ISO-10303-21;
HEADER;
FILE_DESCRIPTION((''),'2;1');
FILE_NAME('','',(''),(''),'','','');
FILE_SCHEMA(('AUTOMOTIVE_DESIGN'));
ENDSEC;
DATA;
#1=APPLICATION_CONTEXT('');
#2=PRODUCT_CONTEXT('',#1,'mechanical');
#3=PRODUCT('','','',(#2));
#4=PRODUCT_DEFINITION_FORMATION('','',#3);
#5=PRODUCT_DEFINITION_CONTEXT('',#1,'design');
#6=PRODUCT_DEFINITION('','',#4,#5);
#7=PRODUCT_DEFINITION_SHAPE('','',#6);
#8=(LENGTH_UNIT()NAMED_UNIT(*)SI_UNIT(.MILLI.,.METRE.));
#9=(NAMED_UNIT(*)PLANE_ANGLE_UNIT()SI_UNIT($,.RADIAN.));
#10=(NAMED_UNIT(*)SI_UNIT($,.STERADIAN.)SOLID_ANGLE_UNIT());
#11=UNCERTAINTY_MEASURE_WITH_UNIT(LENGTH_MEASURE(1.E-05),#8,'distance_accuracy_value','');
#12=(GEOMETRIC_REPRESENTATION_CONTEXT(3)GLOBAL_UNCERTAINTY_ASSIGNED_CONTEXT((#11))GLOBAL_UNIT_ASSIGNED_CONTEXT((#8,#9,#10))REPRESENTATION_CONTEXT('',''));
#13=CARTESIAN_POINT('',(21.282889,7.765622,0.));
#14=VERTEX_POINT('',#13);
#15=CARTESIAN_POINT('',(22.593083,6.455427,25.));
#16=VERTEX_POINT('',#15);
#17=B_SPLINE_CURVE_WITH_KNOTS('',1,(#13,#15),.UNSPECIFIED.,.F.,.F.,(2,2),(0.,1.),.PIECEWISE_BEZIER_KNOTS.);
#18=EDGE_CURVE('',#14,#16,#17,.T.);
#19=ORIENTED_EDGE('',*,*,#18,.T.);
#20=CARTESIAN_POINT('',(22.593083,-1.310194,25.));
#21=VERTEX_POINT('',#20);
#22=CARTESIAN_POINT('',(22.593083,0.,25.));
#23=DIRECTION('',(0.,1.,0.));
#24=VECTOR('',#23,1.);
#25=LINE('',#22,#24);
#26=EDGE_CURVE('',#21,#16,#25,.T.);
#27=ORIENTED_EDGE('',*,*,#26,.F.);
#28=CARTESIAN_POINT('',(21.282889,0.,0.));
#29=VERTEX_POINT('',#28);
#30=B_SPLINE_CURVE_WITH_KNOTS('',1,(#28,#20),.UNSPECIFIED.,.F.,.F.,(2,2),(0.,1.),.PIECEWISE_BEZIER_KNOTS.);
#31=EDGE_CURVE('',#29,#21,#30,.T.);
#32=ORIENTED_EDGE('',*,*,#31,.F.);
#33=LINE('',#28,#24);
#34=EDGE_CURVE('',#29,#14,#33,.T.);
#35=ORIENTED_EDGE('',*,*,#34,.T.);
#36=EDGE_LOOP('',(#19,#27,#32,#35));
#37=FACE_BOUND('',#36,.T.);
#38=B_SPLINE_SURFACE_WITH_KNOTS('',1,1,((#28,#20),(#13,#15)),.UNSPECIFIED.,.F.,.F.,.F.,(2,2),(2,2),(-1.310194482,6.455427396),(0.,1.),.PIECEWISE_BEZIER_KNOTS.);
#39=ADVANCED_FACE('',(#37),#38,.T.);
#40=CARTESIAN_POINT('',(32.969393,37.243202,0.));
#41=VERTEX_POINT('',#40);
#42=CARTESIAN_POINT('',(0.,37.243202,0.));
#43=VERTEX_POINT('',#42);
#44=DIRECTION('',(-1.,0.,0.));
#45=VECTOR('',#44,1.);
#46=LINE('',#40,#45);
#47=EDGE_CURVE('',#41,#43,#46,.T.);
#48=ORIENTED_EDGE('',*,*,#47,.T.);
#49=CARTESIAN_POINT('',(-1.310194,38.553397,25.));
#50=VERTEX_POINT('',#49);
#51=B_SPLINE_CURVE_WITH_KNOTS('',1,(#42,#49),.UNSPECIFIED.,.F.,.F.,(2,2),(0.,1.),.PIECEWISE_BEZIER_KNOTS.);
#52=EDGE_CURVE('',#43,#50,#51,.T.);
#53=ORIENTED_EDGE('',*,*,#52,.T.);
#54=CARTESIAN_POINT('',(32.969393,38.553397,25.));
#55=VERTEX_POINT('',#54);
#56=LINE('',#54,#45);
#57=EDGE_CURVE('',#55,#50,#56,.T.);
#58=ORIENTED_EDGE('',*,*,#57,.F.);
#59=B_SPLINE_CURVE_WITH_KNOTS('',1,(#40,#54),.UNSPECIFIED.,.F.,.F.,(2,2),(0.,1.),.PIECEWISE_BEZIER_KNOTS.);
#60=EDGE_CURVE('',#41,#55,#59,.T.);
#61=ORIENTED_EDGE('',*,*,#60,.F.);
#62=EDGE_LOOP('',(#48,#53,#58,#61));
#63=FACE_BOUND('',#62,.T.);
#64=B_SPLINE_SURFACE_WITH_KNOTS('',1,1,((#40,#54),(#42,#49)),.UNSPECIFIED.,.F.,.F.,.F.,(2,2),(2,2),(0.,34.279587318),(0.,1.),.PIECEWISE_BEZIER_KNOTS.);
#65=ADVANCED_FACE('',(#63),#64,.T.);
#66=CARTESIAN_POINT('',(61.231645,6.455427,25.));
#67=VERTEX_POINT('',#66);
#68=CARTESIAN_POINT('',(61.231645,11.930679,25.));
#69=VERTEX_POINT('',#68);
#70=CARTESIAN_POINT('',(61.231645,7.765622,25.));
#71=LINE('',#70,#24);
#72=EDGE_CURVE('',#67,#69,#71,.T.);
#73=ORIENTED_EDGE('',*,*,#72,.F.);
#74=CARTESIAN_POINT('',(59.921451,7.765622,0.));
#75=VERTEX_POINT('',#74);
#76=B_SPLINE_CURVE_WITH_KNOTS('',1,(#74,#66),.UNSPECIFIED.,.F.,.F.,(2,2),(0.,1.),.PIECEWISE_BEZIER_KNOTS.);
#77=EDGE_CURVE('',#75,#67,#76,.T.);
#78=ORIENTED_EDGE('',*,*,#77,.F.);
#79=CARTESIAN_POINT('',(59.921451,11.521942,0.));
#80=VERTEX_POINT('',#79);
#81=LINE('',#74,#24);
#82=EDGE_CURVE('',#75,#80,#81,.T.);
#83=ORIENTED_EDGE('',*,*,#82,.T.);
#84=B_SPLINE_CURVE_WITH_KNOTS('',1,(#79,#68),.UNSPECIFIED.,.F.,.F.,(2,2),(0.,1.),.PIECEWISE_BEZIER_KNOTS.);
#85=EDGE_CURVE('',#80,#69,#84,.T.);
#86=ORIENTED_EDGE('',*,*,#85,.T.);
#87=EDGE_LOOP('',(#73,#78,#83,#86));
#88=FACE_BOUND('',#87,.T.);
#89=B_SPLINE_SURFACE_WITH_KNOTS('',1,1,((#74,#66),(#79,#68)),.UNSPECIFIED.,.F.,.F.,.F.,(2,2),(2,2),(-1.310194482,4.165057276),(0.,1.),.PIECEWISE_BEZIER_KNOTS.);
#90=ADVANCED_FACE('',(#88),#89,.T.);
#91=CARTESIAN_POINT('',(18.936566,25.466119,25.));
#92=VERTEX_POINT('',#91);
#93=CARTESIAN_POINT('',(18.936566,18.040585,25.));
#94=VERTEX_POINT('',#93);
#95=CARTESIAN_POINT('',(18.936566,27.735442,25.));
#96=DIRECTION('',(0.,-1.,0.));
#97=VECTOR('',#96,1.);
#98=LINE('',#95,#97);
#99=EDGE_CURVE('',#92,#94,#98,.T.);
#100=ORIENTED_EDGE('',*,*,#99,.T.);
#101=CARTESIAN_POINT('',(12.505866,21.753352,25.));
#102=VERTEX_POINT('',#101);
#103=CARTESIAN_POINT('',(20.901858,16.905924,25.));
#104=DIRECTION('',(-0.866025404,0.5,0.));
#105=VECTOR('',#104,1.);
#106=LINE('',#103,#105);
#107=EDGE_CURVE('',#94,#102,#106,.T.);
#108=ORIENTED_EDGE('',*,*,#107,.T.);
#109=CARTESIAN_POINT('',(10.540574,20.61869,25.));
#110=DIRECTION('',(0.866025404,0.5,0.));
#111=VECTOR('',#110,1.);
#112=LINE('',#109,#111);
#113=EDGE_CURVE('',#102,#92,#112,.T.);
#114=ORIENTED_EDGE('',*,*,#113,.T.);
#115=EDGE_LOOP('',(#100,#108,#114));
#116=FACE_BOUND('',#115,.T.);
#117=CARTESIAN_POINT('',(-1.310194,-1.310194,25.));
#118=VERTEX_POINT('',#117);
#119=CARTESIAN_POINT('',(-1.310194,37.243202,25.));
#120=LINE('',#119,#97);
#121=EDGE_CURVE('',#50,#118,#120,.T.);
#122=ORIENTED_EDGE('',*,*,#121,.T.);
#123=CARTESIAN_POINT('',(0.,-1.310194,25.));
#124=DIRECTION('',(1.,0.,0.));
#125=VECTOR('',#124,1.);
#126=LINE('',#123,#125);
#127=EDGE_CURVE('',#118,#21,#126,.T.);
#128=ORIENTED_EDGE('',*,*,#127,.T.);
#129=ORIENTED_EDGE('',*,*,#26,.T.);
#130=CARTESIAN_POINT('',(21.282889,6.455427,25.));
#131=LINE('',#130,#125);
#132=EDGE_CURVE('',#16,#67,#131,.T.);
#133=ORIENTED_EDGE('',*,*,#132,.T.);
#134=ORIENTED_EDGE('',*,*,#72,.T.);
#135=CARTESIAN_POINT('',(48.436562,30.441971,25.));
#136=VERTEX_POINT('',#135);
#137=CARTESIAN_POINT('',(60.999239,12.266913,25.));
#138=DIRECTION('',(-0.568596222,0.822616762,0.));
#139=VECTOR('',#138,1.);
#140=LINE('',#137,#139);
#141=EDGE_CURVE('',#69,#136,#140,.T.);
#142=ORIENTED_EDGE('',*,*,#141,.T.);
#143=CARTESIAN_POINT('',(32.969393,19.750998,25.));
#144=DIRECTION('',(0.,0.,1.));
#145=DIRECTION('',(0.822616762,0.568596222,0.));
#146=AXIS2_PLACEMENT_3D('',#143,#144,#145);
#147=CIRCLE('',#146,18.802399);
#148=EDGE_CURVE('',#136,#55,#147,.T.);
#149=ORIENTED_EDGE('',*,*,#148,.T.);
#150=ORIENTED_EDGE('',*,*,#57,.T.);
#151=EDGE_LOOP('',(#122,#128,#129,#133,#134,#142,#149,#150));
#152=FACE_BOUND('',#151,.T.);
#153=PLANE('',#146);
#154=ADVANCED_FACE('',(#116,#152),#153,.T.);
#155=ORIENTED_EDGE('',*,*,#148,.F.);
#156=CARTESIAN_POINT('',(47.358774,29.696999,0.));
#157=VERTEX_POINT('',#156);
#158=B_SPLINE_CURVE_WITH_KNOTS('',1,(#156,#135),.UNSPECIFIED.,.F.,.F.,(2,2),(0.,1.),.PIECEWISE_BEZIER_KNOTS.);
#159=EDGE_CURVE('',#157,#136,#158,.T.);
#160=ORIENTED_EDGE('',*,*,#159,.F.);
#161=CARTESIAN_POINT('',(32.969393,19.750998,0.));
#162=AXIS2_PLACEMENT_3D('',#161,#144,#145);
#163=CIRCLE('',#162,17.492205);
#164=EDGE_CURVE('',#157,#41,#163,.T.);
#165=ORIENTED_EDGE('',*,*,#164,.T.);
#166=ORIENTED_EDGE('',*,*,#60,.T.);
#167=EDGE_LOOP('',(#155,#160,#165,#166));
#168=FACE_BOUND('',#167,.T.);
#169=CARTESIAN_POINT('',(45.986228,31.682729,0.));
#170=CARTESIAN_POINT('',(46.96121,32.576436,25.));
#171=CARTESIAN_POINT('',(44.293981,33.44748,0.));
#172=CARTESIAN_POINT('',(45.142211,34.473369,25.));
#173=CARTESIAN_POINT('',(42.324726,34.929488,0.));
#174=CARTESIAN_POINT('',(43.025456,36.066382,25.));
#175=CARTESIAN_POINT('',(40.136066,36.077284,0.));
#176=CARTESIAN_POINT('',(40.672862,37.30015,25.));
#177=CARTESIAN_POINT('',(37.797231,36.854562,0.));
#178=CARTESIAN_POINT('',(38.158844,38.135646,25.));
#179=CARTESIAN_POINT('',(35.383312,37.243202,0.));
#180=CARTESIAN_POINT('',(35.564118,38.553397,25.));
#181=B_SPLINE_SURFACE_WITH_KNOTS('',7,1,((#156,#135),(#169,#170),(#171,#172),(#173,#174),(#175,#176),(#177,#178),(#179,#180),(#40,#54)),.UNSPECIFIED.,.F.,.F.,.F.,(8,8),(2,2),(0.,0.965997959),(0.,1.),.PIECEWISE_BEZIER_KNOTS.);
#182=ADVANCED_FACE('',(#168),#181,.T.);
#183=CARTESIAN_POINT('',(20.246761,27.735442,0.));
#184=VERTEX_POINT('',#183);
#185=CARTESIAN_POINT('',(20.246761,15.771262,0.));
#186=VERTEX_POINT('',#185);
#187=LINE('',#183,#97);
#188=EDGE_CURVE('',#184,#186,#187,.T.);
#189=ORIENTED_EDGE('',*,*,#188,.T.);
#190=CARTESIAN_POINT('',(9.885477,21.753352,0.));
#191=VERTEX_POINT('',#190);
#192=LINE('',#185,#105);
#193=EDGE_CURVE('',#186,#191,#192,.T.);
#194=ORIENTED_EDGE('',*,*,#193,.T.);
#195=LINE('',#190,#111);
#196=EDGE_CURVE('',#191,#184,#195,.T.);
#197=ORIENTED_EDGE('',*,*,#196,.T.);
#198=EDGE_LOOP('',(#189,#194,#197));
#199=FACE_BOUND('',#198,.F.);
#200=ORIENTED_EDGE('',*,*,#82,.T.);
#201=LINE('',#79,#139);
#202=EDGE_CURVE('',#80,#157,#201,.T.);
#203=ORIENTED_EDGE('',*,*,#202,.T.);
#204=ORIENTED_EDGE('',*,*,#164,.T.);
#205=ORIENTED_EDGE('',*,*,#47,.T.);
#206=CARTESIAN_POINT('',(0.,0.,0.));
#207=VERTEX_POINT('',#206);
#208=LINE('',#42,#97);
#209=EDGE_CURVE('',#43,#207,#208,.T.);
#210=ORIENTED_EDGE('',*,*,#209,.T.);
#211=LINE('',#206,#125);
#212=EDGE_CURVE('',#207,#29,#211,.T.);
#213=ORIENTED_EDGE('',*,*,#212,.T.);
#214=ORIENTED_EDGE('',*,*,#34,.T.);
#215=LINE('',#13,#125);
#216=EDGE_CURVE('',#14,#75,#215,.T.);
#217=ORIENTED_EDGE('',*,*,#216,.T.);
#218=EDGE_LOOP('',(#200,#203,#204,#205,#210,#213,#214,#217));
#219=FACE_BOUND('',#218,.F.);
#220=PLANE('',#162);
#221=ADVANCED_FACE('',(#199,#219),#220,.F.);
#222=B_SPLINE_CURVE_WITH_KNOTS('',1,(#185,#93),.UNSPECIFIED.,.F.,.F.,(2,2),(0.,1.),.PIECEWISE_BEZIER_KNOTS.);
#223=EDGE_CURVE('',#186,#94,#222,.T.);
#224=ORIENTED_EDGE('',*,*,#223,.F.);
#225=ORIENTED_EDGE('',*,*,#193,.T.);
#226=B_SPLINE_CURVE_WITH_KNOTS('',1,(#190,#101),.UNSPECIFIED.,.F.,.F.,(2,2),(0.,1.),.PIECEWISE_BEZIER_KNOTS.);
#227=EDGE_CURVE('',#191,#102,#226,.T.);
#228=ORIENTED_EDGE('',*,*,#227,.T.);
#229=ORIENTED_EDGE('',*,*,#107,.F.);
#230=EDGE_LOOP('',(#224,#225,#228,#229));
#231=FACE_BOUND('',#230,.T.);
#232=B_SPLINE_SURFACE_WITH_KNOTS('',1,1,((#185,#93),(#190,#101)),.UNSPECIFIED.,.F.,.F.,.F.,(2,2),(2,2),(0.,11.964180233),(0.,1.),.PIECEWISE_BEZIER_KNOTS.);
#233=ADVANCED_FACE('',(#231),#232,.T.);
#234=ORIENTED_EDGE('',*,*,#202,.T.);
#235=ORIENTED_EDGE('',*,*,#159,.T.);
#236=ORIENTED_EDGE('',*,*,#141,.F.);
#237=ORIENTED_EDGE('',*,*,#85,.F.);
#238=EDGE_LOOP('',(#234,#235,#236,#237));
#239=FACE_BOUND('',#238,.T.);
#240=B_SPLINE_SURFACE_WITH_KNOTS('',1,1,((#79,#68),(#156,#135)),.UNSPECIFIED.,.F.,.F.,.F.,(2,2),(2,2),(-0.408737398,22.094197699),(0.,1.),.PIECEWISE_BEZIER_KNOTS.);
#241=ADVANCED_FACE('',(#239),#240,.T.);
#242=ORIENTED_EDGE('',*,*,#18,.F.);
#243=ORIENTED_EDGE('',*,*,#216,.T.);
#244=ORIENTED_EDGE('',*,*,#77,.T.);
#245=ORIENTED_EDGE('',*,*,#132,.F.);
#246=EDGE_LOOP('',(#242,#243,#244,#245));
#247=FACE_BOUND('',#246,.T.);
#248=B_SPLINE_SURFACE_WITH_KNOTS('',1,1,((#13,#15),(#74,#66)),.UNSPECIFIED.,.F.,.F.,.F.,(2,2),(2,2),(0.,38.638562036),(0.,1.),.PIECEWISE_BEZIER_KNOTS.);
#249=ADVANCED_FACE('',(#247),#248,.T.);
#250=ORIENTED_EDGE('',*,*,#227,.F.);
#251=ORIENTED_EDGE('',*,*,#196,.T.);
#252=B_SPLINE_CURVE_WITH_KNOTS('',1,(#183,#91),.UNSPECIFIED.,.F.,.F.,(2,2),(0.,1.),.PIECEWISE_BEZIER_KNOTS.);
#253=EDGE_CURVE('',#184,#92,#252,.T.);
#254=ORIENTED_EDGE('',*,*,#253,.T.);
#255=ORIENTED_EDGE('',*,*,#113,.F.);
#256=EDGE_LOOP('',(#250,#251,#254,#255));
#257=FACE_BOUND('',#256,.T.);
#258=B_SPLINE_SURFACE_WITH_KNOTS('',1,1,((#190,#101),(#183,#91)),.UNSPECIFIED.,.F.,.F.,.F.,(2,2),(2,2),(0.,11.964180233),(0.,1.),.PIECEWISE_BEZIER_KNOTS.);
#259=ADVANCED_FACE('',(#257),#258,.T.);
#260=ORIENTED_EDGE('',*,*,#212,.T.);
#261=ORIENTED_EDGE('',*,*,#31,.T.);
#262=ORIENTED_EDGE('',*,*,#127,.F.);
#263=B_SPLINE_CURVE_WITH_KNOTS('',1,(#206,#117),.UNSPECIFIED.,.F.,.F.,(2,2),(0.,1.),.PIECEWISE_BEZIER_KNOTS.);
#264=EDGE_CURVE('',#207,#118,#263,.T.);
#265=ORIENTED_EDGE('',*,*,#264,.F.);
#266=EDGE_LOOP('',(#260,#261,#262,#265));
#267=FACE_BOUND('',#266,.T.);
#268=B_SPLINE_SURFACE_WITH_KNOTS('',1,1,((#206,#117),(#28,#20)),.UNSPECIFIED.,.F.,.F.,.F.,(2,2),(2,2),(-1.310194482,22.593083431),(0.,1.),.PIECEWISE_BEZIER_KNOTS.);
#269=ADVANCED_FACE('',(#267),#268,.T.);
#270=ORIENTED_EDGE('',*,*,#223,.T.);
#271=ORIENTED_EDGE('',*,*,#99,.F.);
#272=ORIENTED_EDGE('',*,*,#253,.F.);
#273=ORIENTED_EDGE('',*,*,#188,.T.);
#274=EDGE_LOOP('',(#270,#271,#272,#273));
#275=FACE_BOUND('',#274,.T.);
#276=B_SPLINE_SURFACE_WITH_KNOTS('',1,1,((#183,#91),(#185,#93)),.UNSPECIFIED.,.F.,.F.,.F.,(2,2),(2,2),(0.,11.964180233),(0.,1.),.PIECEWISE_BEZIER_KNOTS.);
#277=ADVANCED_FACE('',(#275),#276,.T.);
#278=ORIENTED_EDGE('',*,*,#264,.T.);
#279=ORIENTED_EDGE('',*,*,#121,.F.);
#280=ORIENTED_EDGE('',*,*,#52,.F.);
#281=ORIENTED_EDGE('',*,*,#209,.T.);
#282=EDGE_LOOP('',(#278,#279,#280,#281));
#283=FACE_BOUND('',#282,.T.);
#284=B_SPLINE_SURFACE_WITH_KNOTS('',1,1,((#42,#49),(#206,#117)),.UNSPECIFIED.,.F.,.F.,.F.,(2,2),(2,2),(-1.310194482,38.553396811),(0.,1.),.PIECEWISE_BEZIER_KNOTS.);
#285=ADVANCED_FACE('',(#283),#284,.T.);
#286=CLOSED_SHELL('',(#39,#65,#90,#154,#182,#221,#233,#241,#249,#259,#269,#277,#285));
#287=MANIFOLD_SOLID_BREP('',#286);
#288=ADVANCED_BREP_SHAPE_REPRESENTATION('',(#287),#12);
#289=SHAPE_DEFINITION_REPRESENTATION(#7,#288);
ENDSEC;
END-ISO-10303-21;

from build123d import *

# Parameters (mm, degrees)
F1_DEPTH = 25
F1_TAPER = -3


with BuildPart() as f1:
    # F0 (on Top) → F1 (new body)
    with BuildSketch(Plane.XY):
        with BuildLine():
            Line((0, 37.2432023287), (0, 0))
            Line((0, 0), (21.2828889489, 0))
            Line((21.2828889489, 0), (21.2828889489, 7.7656218782))
            Line((21.2828889489, 7.7656218782), (59.9214509847, 7.7656218782))
            Line((59.9214509847, 7.7656218782), (59.9214509847, 11.5219417561))
            Line((59.9214509847, 11.5219417561), (47.3587736487, 29.6969991177))
            ThreePointArc((47.3587736487, 29.6969991177), (41.0934229793, 35.2422002817), (32.9693928361, 37.2432023287))
            Line((32.9693928361, 37.2432023287), (0, 37.2432023287))
        make_face()
        Polygon((9.8854769021, 21.7533521354), (20.2467609197, 27.7354422521), (20.2467609197, 15.7712620187), align=None, mode=Mode.SUBTRACT)
    extrude(amount=F1_DEPTH, taper=F1_TAPER)


solid = f1.part
